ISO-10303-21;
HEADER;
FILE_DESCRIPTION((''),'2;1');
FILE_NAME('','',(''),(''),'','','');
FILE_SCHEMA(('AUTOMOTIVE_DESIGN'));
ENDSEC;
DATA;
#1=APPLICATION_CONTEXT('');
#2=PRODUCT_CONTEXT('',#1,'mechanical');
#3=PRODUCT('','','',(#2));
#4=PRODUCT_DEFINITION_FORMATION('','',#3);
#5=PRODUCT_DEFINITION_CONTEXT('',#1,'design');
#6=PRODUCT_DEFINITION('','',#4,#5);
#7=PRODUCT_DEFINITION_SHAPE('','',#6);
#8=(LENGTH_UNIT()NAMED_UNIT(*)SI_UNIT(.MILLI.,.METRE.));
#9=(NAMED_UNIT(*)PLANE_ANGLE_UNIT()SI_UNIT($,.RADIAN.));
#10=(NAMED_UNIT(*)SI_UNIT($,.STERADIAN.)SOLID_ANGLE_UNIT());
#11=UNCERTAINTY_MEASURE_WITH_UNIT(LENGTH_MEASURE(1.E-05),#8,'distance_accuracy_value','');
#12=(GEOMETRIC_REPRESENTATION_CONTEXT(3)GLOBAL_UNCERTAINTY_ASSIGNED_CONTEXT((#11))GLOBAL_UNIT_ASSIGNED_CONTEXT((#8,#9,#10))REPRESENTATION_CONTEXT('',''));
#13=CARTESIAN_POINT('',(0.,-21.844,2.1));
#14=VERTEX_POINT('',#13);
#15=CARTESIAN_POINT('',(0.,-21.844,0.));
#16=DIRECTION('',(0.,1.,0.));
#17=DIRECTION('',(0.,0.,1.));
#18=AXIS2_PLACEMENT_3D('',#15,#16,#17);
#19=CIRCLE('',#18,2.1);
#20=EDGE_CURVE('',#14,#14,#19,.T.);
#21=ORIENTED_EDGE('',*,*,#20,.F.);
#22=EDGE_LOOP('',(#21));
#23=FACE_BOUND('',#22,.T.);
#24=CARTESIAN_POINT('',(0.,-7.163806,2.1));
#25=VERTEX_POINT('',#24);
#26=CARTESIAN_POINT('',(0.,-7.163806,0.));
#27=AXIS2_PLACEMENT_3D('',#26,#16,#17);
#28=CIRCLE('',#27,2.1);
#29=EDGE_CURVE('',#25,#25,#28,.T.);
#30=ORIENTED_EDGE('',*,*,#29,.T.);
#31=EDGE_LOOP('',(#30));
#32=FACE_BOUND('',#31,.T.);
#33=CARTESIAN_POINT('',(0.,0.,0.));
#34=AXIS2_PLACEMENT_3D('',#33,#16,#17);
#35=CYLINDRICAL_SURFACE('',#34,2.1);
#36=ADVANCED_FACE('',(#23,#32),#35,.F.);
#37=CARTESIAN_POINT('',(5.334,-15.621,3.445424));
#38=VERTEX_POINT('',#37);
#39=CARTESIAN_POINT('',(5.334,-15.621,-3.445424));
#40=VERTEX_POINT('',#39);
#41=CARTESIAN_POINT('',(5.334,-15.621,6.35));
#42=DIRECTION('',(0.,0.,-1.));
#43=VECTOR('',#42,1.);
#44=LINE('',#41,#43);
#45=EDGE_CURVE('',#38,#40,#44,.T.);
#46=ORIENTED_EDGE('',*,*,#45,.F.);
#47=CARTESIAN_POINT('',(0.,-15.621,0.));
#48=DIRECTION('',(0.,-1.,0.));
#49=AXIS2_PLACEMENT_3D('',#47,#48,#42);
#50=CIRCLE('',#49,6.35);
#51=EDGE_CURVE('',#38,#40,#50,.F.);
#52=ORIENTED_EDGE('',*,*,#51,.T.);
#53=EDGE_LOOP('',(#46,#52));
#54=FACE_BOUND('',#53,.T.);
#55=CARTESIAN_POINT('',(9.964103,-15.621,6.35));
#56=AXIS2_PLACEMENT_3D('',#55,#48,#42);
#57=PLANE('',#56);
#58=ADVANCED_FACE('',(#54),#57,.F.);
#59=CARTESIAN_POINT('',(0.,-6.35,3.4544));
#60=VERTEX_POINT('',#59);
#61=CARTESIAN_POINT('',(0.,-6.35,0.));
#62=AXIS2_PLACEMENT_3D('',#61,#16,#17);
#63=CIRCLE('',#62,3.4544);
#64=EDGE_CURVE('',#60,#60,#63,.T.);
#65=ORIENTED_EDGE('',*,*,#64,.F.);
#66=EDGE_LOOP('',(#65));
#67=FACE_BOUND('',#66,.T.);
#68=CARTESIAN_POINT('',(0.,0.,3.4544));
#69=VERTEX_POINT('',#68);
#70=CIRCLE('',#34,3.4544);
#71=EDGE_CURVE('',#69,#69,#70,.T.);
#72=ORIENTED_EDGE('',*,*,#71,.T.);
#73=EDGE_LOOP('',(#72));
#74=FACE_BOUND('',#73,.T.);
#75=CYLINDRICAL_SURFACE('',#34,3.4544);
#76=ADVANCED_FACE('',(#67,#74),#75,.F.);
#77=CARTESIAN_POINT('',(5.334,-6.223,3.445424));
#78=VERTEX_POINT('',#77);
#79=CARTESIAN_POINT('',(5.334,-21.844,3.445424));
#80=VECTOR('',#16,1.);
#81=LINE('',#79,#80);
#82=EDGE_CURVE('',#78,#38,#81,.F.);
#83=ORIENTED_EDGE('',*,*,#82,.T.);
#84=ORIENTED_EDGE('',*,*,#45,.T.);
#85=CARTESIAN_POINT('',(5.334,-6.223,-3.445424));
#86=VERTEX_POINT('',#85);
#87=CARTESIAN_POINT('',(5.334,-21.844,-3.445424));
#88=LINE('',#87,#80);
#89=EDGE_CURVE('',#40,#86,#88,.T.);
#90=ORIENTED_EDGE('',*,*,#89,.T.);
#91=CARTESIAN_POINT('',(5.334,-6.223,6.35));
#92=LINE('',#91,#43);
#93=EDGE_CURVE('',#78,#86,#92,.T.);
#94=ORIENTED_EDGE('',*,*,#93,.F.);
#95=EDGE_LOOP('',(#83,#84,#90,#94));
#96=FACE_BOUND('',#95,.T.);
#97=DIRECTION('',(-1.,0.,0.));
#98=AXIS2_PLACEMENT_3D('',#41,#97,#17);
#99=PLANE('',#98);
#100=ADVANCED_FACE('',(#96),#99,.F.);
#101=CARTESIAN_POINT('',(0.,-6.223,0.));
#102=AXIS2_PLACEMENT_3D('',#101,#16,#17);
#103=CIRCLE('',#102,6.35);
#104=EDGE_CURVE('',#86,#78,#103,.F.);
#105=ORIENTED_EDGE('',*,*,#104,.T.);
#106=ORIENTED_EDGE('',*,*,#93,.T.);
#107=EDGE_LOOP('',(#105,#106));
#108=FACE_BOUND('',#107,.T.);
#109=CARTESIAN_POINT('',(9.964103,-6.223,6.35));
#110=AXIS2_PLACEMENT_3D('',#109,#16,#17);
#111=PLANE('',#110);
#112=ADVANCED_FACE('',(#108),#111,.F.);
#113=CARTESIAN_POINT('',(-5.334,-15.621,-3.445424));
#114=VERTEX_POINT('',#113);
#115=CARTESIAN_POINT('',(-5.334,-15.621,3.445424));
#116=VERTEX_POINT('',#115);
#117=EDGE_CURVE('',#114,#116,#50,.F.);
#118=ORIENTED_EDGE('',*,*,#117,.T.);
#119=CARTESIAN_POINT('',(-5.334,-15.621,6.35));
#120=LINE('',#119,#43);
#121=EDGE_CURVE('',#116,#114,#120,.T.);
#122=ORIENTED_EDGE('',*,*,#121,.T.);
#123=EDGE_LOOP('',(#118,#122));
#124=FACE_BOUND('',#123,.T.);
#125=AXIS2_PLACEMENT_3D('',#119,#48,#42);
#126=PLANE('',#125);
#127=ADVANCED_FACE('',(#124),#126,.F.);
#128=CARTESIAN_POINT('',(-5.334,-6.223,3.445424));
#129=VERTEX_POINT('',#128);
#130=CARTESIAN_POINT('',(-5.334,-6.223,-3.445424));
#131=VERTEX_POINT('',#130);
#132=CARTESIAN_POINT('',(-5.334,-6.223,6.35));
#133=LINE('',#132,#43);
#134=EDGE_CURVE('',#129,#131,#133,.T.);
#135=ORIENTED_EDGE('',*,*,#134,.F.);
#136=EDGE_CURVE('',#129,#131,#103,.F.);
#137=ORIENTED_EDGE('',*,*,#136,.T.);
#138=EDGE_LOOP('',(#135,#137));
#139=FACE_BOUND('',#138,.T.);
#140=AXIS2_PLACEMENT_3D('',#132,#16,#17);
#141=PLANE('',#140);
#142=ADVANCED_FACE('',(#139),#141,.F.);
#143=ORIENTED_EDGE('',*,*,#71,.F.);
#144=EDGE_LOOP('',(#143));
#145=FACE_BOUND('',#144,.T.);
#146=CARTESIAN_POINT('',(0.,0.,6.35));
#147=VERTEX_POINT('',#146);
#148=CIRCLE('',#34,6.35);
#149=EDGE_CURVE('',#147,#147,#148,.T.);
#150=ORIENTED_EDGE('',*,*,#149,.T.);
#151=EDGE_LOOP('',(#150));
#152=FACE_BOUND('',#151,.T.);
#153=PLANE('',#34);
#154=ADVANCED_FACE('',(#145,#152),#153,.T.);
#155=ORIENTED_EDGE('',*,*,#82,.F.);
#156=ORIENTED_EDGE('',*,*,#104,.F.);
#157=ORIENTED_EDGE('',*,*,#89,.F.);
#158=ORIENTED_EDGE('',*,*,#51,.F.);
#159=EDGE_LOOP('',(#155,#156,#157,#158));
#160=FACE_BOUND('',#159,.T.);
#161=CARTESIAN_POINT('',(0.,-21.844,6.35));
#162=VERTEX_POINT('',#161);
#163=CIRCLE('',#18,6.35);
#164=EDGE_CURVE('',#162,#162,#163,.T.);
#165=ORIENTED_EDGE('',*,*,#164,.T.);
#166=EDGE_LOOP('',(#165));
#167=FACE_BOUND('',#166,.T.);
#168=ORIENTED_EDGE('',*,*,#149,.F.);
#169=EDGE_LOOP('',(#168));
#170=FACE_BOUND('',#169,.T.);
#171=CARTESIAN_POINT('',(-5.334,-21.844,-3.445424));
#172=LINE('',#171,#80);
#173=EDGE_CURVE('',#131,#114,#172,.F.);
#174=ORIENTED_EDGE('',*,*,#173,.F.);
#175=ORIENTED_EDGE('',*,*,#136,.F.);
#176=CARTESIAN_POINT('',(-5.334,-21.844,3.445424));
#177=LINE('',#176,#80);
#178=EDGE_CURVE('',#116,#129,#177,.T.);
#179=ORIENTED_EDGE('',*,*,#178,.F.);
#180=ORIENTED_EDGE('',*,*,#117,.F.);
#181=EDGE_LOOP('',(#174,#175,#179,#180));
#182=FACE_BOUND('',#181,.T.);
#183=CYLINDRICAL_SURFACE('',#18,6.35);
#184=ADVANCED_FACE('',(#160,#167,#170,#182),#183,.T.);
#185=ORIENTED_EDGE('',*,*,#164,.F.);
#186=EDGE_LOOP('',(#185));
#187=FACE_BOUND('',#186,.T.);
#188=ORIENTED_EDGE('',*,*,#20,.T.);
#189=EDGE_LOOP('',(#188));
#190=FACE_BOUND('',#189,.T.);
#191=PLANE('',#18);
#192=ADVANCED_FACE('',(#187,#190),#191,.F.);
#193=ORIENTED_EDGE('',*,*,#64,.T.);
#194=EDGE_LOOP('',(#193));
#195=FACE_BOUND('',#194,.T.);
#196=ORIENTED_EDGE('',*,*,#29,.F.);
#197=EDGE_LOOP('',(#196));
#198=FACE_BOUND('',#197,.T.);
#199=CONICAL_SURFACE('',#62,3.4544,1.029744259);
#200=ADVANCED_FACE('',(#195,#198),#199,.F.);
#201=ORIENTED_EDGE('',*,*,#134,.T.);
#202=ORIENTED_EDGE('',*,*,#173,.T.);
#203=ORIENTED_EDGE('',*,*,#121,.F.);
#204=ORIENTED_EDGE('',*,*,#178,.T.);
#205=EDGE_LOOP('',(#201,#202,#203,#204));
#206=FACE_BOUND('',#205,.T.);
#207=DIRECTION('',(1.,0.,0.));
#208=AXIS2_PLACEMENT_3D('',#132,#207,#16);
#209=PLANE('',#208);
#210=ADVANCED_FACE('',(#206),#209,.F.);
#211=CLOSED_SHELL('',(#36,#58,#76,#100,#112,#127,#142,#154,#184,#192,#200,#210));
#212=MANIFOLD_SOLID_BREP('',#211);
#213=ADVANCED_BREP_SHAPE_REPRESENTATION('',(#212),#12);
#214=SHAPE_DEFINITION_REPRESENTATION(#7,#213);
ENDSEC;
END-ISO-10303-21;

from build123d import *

# Parameters (mm, degrees)
SKETCH1_R                    = 6.35
BOSS_EXTRUDE1_DEPTH          = 21.844
SKETCH4_W                    = 4.630102794
SKETCH4_H                    = 9.398
SKETCH4_W_2                  = 5.584398789
CUT_EXTRUDE5_DEPTH           = 13.7
M5X0_8_TAPPED_HOLE2_D        = 4.2
F_5_16_24_TAPPED_HOLE1_D     = 6.9088
F_5_16_24_TAPPED_HOLE1_DEPTH = 6.35
F_5_16_24_TAPPED_HOLE1_TIP   = 2.075612922


with BuildPart() as part:
    # Sketch1 → Boss-Extrude1 (new body)
    with BuildSketch(Plane(origin=(0, 0, 0), x_dir=(1, 0, 0), z_dir=(0, 1, 0))):
        Circle(SKETCH1_R)
    extrude(amount=-BOSS_EXTRUDE1_DEPTH)

    # Sketch4 → Cut-Extrude5 (cut, through all)
    with BuildSketch(Plane(origin=(0, 0, -6.35), x_dir=(-1, 0, 0), z_dir=(0, 0, -1))):
        with Locations((-7.649051397, -10.922)):
            Rectangle(SKETCH4_W, SKETCH4_H)
        with Locations((8.126199395, -10.922)):
            Rectangle(SKETCH4_W_2, SKETCH4_H)
    extrude(amount=-CUT_EXTRUDE5_DEPTH, mode=Mode.SUBTRACT)

    # M5x0.8 Tapped Hole2 (through all)
    with Locations(Plane(origin=(0, 0, 0), x_dir=(1, 0, 0), z_dir=(0, 1, 0))):
        with Locations((0, 0)):
            Hole(M5X0_8_TAPPED_HOLE2_D / 2)

    # 5/16-24 Tapped Hole1
    with Locations(Plane(origin=(0, 0, 0), x_dir=(1, 0, 0), z_dir=(0, 1, 0))):
        with Locations((0, 0)):
            Hole(F_5_16_24_TAPPED_HOLE1_D / 2, depth=F_5_16_24_TAPPED_HOLE1_DEPTH)
            with Locations((0, 0, -(F_5_16_24_TAPPED_HOLE1_DEPTH + F_5_16_24_TAPPED_HOLE1_TIP / 2))):  # 118° drill point
                Cone(0, F_5_16_24_TAPPED_HOLE1_D / 2, F_5_16_24_TAPPED_HOLE1_TIP, mode=Mode.SUBTRACT)


solid = part.part
